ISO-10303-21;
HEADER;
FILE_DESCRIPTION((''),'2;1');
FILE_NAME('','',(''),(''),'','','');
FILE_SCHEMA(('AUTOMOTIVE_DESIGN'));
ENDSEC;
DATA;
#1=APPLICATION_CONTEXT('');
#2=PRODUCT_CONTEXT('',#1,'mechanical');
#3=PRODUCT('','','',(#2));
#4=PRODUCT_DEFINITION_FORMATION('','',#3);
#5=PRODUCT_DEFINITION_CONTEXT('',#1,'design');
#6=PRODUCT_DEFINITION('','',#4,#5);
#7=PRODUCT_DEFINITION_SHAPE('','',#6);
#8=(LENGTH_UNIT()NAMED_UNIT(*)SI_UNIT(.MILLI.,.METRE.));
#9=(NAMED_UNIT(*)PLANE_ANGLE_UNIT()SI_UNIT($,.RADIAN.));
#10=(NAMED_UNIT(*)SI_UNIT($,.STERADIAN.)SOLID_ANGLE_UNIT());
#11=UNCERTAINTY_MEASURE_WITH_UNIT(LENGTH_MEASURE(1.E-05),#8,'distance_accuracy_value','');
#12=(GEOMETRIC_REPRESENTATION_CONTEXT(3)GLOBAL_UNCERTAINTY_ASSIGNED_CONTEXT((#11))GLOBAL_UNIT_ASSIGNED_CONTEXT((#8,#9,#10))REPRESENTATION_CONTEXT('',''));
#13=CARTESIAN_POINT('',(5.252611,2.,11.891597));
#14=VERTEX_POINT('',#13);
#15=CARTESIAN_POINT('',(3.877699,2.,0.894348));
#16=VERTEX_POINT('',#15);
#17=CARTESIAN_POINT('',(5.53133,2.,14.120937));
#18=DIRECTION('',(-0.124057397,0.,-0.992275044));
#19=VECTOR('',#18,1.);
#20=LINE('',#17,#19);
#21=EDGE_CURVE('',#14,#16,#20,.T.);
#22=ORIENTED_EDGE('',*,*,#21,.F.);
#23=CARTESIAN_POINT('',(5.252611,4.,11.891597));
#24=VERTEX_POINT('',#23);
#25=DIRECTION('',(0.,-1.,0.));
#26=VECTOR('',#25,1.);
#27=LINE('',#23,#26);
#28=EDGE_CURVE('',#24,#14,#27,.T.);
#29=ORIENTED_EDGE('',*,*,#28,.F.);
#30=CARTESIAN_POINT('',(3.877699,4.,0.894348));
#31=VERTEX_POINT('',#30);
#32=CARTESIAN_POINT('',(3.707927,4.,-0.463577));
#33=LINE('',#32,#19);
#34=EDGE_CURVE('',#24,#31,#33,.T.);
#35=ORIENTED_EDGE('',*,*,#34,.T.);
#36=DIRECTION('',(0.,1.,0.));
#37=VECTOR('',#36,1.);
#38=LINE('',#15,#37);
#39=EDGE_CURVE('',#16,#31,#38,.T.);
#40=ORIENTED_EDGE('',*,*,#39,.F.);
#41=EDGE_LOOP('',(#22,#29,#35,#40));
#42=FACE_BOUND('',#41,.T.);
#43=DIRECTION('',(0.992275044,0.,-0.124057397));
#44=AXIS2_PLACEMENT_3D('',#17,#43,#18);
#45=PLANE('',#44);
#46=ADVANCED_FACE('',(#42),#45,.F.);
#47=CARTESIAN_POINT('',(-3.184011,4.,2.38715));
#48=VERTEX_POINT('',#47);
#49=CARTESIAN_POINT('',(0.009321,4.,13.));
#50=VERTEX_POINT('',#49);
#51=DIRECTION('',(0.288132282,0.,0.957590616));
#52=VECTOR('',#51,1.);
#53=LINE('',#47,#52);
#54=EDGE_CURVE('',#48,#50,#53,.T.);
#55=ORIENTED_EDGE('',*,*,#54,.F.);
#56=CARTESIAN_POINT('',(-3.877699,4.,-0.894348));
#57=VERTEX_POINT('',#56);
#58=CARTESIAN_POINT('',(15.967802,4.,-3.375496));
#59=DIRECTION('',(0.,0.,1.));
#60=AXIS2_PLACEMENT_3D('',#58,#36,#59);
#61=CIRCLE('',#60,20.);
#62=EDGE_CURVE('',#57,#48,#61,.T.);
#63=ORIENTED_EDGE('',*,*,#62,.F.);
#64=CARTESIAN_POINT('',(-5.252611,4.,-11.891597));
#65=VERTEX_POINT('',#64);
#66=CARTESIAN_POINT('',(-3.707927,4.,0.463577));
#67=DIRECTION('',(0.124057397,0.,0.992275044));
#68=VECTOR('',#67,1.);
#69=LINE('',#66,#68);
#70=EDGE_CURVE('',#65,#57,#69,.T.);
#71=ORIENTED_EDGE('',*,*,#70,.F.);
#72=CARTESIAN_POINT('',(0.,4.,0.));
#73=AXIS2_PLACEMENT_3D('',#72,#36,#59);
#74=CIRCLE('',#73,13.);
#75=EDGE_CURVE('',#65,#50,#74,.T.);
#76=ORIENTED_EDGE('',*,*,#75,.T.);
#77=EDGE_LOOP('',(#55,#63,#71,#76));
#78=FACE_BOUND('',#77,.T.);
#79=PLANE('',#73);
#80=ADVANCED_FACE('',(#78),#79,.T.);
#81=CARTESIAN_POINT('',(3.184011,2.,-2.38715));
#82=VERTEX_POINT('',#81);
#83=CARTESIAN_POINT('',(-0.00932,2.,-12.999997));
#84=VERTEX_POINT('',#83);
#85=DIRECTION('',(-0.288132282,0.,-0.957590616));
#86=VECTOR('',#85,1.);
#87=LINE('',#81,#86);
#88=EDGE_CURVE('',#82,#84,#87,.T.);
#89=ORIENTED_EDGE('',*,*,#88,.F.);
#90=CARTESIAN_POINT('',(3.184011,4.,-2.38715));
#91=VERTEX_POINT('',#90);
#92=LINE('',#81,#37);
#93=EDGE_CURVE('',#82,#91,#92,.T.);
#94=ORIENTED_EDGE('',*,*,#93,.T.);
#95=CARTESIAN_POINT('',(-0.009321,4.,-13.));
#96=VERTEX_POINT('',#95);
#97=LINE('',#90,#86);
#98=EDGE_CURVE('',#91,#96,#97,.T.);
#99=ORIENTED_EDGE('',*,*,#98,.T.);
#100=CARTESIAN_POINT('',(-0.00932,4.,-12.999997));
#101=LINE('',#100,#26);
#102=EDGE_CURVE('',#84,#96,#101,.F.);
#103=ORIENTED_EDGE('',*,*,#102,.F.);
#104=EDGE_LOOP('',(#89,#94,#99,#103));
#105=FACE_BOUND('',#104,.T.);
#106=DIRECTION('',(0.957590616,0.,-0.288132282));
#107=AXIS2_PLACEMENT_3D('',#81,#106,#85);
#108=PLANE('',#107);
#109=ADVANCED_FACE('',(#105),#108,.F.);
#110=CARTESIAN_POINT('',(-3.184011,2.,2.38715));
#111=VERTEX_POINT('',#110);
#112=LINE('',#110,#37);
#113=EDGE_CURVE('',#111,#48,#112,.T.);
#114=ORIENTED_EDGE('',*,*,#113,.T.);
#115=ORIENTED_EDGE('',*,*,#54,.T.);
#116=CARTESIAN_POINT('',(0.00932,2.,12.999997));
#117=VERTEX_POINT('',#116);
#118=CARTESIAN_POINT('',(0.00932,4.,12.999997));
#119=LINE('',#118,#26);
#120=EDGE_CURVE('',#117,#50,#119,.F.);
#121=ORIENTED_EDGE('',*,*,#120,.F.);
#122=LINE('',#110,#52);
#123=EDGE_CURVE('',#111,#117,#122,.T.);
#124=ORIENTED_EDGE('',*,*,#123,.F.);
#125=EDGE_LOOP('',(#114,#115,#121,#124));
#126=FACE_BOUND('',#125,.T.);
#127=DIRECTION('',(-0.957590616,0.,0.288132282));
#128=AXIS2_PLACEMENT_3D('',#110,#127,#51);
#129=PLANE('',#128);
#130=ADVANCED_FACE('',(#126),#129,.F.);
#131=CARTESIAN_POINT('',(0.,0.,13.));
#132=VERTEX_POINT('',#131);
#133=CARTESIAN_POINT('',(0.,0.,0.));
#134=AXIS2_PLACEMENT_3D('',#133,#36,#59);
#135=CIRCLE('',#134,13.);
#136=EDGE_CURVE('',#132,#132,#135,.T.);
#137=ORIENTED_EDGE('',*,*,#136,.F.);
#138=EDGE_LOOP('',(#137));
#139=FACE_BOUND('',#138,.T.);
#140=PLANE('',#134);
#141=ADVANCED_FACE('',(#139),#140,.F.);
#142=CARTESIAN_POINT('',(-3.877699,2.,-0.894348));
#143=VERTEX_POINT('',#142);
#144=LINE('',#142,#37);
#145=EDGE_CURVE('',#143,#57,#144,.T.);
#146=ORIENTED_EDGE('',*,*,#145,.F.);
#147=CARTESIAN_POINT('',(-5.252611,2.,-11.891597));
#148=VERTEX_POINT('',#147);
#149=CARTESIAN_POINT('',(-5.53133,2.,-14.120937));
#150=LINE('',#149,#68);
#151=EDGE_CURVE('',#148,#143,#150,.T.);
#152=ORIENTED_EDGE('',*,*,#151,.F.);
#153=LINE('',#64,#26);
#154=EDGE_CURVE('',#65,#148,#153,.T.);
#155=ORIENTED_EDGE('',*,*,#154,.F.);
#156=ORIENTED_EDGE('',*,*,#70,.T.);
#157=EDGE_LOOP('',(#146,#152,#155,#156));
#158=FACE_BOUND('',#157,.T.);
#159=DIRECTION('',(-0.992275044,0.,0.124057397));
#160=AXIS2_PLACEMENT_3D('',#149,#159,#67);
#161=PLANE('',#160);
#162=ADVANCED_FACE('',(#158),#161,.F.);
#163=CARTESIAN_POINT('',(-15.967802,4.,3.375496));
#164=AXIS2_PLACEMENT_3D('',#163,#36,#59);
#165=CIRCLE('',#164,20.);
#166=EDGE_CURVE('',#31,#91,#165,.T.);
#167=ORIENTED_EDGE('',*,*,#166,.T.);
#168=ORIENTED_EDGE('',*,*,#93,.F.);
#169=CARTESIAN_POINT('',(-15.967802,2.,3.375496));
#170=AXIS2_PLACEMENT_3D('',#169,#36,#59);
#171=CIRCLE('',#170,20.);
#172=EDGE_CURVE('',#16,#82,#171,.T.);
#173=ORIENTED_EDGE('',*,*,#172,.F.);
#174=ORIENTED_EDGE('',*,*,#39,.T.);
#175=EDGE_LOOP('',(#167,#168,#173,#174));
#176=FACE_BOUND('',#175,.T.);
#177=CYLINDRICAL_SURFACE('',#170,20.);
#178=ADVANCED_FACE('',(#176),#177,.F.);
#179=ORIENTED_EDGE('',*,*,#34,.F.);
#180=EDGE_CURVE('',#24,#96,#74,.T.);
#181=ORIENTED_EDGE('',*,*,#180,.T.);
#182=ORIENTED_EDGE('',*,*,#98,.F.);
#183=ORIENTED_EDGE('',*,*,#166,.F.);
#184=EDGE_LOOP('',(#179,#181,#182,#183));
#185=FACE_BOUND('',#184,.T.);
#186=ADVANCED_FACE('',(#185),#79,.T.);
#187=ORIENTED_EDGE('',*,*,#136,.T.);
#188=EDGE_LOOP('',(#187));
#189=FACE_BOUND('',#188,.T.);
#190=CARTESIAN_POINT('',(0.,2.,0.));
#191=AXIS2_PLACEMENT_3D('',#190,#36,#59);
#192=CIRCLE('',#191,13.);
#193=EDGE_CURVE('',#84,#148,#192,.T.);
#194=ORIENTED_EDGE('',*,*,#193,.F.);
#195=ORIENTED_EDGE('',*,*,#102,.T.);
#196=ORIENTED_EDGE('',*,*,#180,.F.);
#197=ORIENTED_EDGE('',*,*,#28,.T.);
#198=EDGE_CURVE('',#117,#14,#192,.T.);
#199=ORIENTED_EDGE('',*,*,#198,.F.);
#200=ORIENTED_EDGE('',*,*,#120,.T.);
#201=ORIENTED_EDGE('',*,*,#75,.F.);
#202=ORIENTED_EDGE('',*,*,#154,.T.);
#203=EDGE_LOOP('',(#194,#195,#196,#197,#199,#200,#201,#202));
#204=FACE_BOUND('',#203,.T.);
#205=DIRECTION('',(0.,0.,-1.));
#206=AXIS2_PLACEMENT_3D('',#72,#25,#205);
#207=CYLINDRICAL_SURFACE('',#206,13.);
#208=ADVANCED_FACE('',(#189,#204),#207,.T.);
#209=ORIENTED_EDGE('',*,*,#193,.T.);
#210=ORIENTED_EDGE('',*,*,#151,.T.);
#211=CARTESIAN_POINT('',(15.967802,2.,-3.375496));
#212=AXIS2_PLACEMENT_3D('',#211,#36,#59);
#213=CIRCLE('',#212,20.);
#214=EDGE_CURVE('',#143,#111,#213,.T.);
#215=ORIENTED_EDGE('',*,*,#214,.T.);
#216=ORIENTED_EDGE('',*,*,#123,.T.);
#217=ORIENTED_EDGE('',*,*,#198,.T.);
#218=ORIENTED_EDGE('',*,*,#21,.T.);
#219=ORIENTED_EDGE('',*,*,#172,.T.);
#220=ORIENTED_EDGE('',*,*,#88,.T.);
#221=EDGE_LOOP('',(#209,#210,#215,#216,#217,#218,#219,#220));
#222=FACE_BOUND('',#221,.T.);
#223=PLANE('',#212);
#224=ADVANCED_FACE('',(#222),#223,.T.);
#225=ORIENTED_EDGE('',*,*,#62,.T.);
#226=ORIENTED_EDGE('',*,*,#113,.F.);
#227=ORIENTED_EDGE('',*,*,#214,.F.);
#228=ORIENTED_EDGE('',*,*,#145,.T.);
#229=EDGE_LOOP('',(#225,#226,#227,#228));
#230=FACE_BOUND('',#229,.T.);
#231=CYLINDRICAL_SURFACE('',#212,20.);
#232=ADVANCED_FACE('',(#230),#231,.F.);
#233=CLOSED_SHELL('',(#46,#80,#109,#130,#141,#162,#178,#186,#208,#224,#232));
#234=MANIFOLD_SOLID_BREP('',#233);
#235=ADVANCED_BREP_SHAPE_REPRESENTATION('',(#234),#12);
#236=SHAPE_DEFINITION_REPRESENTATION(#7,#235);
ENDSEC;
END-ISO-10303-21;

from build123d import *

# Parameters (mm, degrees)
CROQUIS1_R              = 13
SALIENTE_EXTRUIR1_DEPTH = 4
CORTAR_EXTRUIR1_DEPTH   = 2


with BuildPart() as part:
    # Croquis1 → Saliente-Extruir1 (new body)
    with BuildSketch(Plane(origin=(0, 0, 0), x_dir=(1, 0, 0), z_dir=(0, 1, 0))):
        with Locations(Location((0, 0, 0), (0, 0, 270))):
            Circle(CROQUIS1_R)
    extrude(amount=SALIENTE_EXTRUIR1_DEPTH)

    # Croquis4 → Cortar-Extruir1 (cut)
    with BuildSketch(Plane(origin=(0, 4, 0), x_dir=(1, 0, 0), z_dir=(0, 1, 0))):
        with BuildLine():
            Line((-3.184010772, -2.387150019), (0.656665628, -15.151411134))
            ThreePointArc((0.656665628, -15.151411134), (3.567700163, -16.877026265), (5.531329778, -14.120936937))
            Line((5.531329778, -14.120936937), (3.877699322, -0.894347681))
            ThreePointArc((3.877699322, -0.894347681), (3.756105044, -0.063772705), (3.599765133, 0.76096834))
            ThreePointArc((3.599765133, 0.76096834), (3.408954999, 1.57842259), (3.184010772, 2.387150019))
            Line((3.184010772, 2.387150019), (-0.656665628, 15.151411134))
            ThreePointArc((-0.656665628, 15.151411134), (-3.567700163, 16.877026265), (-5.531329778, 14.120936937))
            Line((-5.531329778, 14.120936937), (-3.877699322, 0.894347681))
            ThreePointArc((-3.877699322, 0.894347681), (-3.756105044, 0.063772705), (-3.599765133, -0.76096834))
            ThreePointArc((-3.599765133, -0.76096834), (-3.408954999, -1.57842259), (-3.184010772, -2.387150019))
        make_face()
    extrude(amount=-CORTAR_EXTRUIR1_DEPTH, mode=Mode.SUBTRACT)


solid = part.part
